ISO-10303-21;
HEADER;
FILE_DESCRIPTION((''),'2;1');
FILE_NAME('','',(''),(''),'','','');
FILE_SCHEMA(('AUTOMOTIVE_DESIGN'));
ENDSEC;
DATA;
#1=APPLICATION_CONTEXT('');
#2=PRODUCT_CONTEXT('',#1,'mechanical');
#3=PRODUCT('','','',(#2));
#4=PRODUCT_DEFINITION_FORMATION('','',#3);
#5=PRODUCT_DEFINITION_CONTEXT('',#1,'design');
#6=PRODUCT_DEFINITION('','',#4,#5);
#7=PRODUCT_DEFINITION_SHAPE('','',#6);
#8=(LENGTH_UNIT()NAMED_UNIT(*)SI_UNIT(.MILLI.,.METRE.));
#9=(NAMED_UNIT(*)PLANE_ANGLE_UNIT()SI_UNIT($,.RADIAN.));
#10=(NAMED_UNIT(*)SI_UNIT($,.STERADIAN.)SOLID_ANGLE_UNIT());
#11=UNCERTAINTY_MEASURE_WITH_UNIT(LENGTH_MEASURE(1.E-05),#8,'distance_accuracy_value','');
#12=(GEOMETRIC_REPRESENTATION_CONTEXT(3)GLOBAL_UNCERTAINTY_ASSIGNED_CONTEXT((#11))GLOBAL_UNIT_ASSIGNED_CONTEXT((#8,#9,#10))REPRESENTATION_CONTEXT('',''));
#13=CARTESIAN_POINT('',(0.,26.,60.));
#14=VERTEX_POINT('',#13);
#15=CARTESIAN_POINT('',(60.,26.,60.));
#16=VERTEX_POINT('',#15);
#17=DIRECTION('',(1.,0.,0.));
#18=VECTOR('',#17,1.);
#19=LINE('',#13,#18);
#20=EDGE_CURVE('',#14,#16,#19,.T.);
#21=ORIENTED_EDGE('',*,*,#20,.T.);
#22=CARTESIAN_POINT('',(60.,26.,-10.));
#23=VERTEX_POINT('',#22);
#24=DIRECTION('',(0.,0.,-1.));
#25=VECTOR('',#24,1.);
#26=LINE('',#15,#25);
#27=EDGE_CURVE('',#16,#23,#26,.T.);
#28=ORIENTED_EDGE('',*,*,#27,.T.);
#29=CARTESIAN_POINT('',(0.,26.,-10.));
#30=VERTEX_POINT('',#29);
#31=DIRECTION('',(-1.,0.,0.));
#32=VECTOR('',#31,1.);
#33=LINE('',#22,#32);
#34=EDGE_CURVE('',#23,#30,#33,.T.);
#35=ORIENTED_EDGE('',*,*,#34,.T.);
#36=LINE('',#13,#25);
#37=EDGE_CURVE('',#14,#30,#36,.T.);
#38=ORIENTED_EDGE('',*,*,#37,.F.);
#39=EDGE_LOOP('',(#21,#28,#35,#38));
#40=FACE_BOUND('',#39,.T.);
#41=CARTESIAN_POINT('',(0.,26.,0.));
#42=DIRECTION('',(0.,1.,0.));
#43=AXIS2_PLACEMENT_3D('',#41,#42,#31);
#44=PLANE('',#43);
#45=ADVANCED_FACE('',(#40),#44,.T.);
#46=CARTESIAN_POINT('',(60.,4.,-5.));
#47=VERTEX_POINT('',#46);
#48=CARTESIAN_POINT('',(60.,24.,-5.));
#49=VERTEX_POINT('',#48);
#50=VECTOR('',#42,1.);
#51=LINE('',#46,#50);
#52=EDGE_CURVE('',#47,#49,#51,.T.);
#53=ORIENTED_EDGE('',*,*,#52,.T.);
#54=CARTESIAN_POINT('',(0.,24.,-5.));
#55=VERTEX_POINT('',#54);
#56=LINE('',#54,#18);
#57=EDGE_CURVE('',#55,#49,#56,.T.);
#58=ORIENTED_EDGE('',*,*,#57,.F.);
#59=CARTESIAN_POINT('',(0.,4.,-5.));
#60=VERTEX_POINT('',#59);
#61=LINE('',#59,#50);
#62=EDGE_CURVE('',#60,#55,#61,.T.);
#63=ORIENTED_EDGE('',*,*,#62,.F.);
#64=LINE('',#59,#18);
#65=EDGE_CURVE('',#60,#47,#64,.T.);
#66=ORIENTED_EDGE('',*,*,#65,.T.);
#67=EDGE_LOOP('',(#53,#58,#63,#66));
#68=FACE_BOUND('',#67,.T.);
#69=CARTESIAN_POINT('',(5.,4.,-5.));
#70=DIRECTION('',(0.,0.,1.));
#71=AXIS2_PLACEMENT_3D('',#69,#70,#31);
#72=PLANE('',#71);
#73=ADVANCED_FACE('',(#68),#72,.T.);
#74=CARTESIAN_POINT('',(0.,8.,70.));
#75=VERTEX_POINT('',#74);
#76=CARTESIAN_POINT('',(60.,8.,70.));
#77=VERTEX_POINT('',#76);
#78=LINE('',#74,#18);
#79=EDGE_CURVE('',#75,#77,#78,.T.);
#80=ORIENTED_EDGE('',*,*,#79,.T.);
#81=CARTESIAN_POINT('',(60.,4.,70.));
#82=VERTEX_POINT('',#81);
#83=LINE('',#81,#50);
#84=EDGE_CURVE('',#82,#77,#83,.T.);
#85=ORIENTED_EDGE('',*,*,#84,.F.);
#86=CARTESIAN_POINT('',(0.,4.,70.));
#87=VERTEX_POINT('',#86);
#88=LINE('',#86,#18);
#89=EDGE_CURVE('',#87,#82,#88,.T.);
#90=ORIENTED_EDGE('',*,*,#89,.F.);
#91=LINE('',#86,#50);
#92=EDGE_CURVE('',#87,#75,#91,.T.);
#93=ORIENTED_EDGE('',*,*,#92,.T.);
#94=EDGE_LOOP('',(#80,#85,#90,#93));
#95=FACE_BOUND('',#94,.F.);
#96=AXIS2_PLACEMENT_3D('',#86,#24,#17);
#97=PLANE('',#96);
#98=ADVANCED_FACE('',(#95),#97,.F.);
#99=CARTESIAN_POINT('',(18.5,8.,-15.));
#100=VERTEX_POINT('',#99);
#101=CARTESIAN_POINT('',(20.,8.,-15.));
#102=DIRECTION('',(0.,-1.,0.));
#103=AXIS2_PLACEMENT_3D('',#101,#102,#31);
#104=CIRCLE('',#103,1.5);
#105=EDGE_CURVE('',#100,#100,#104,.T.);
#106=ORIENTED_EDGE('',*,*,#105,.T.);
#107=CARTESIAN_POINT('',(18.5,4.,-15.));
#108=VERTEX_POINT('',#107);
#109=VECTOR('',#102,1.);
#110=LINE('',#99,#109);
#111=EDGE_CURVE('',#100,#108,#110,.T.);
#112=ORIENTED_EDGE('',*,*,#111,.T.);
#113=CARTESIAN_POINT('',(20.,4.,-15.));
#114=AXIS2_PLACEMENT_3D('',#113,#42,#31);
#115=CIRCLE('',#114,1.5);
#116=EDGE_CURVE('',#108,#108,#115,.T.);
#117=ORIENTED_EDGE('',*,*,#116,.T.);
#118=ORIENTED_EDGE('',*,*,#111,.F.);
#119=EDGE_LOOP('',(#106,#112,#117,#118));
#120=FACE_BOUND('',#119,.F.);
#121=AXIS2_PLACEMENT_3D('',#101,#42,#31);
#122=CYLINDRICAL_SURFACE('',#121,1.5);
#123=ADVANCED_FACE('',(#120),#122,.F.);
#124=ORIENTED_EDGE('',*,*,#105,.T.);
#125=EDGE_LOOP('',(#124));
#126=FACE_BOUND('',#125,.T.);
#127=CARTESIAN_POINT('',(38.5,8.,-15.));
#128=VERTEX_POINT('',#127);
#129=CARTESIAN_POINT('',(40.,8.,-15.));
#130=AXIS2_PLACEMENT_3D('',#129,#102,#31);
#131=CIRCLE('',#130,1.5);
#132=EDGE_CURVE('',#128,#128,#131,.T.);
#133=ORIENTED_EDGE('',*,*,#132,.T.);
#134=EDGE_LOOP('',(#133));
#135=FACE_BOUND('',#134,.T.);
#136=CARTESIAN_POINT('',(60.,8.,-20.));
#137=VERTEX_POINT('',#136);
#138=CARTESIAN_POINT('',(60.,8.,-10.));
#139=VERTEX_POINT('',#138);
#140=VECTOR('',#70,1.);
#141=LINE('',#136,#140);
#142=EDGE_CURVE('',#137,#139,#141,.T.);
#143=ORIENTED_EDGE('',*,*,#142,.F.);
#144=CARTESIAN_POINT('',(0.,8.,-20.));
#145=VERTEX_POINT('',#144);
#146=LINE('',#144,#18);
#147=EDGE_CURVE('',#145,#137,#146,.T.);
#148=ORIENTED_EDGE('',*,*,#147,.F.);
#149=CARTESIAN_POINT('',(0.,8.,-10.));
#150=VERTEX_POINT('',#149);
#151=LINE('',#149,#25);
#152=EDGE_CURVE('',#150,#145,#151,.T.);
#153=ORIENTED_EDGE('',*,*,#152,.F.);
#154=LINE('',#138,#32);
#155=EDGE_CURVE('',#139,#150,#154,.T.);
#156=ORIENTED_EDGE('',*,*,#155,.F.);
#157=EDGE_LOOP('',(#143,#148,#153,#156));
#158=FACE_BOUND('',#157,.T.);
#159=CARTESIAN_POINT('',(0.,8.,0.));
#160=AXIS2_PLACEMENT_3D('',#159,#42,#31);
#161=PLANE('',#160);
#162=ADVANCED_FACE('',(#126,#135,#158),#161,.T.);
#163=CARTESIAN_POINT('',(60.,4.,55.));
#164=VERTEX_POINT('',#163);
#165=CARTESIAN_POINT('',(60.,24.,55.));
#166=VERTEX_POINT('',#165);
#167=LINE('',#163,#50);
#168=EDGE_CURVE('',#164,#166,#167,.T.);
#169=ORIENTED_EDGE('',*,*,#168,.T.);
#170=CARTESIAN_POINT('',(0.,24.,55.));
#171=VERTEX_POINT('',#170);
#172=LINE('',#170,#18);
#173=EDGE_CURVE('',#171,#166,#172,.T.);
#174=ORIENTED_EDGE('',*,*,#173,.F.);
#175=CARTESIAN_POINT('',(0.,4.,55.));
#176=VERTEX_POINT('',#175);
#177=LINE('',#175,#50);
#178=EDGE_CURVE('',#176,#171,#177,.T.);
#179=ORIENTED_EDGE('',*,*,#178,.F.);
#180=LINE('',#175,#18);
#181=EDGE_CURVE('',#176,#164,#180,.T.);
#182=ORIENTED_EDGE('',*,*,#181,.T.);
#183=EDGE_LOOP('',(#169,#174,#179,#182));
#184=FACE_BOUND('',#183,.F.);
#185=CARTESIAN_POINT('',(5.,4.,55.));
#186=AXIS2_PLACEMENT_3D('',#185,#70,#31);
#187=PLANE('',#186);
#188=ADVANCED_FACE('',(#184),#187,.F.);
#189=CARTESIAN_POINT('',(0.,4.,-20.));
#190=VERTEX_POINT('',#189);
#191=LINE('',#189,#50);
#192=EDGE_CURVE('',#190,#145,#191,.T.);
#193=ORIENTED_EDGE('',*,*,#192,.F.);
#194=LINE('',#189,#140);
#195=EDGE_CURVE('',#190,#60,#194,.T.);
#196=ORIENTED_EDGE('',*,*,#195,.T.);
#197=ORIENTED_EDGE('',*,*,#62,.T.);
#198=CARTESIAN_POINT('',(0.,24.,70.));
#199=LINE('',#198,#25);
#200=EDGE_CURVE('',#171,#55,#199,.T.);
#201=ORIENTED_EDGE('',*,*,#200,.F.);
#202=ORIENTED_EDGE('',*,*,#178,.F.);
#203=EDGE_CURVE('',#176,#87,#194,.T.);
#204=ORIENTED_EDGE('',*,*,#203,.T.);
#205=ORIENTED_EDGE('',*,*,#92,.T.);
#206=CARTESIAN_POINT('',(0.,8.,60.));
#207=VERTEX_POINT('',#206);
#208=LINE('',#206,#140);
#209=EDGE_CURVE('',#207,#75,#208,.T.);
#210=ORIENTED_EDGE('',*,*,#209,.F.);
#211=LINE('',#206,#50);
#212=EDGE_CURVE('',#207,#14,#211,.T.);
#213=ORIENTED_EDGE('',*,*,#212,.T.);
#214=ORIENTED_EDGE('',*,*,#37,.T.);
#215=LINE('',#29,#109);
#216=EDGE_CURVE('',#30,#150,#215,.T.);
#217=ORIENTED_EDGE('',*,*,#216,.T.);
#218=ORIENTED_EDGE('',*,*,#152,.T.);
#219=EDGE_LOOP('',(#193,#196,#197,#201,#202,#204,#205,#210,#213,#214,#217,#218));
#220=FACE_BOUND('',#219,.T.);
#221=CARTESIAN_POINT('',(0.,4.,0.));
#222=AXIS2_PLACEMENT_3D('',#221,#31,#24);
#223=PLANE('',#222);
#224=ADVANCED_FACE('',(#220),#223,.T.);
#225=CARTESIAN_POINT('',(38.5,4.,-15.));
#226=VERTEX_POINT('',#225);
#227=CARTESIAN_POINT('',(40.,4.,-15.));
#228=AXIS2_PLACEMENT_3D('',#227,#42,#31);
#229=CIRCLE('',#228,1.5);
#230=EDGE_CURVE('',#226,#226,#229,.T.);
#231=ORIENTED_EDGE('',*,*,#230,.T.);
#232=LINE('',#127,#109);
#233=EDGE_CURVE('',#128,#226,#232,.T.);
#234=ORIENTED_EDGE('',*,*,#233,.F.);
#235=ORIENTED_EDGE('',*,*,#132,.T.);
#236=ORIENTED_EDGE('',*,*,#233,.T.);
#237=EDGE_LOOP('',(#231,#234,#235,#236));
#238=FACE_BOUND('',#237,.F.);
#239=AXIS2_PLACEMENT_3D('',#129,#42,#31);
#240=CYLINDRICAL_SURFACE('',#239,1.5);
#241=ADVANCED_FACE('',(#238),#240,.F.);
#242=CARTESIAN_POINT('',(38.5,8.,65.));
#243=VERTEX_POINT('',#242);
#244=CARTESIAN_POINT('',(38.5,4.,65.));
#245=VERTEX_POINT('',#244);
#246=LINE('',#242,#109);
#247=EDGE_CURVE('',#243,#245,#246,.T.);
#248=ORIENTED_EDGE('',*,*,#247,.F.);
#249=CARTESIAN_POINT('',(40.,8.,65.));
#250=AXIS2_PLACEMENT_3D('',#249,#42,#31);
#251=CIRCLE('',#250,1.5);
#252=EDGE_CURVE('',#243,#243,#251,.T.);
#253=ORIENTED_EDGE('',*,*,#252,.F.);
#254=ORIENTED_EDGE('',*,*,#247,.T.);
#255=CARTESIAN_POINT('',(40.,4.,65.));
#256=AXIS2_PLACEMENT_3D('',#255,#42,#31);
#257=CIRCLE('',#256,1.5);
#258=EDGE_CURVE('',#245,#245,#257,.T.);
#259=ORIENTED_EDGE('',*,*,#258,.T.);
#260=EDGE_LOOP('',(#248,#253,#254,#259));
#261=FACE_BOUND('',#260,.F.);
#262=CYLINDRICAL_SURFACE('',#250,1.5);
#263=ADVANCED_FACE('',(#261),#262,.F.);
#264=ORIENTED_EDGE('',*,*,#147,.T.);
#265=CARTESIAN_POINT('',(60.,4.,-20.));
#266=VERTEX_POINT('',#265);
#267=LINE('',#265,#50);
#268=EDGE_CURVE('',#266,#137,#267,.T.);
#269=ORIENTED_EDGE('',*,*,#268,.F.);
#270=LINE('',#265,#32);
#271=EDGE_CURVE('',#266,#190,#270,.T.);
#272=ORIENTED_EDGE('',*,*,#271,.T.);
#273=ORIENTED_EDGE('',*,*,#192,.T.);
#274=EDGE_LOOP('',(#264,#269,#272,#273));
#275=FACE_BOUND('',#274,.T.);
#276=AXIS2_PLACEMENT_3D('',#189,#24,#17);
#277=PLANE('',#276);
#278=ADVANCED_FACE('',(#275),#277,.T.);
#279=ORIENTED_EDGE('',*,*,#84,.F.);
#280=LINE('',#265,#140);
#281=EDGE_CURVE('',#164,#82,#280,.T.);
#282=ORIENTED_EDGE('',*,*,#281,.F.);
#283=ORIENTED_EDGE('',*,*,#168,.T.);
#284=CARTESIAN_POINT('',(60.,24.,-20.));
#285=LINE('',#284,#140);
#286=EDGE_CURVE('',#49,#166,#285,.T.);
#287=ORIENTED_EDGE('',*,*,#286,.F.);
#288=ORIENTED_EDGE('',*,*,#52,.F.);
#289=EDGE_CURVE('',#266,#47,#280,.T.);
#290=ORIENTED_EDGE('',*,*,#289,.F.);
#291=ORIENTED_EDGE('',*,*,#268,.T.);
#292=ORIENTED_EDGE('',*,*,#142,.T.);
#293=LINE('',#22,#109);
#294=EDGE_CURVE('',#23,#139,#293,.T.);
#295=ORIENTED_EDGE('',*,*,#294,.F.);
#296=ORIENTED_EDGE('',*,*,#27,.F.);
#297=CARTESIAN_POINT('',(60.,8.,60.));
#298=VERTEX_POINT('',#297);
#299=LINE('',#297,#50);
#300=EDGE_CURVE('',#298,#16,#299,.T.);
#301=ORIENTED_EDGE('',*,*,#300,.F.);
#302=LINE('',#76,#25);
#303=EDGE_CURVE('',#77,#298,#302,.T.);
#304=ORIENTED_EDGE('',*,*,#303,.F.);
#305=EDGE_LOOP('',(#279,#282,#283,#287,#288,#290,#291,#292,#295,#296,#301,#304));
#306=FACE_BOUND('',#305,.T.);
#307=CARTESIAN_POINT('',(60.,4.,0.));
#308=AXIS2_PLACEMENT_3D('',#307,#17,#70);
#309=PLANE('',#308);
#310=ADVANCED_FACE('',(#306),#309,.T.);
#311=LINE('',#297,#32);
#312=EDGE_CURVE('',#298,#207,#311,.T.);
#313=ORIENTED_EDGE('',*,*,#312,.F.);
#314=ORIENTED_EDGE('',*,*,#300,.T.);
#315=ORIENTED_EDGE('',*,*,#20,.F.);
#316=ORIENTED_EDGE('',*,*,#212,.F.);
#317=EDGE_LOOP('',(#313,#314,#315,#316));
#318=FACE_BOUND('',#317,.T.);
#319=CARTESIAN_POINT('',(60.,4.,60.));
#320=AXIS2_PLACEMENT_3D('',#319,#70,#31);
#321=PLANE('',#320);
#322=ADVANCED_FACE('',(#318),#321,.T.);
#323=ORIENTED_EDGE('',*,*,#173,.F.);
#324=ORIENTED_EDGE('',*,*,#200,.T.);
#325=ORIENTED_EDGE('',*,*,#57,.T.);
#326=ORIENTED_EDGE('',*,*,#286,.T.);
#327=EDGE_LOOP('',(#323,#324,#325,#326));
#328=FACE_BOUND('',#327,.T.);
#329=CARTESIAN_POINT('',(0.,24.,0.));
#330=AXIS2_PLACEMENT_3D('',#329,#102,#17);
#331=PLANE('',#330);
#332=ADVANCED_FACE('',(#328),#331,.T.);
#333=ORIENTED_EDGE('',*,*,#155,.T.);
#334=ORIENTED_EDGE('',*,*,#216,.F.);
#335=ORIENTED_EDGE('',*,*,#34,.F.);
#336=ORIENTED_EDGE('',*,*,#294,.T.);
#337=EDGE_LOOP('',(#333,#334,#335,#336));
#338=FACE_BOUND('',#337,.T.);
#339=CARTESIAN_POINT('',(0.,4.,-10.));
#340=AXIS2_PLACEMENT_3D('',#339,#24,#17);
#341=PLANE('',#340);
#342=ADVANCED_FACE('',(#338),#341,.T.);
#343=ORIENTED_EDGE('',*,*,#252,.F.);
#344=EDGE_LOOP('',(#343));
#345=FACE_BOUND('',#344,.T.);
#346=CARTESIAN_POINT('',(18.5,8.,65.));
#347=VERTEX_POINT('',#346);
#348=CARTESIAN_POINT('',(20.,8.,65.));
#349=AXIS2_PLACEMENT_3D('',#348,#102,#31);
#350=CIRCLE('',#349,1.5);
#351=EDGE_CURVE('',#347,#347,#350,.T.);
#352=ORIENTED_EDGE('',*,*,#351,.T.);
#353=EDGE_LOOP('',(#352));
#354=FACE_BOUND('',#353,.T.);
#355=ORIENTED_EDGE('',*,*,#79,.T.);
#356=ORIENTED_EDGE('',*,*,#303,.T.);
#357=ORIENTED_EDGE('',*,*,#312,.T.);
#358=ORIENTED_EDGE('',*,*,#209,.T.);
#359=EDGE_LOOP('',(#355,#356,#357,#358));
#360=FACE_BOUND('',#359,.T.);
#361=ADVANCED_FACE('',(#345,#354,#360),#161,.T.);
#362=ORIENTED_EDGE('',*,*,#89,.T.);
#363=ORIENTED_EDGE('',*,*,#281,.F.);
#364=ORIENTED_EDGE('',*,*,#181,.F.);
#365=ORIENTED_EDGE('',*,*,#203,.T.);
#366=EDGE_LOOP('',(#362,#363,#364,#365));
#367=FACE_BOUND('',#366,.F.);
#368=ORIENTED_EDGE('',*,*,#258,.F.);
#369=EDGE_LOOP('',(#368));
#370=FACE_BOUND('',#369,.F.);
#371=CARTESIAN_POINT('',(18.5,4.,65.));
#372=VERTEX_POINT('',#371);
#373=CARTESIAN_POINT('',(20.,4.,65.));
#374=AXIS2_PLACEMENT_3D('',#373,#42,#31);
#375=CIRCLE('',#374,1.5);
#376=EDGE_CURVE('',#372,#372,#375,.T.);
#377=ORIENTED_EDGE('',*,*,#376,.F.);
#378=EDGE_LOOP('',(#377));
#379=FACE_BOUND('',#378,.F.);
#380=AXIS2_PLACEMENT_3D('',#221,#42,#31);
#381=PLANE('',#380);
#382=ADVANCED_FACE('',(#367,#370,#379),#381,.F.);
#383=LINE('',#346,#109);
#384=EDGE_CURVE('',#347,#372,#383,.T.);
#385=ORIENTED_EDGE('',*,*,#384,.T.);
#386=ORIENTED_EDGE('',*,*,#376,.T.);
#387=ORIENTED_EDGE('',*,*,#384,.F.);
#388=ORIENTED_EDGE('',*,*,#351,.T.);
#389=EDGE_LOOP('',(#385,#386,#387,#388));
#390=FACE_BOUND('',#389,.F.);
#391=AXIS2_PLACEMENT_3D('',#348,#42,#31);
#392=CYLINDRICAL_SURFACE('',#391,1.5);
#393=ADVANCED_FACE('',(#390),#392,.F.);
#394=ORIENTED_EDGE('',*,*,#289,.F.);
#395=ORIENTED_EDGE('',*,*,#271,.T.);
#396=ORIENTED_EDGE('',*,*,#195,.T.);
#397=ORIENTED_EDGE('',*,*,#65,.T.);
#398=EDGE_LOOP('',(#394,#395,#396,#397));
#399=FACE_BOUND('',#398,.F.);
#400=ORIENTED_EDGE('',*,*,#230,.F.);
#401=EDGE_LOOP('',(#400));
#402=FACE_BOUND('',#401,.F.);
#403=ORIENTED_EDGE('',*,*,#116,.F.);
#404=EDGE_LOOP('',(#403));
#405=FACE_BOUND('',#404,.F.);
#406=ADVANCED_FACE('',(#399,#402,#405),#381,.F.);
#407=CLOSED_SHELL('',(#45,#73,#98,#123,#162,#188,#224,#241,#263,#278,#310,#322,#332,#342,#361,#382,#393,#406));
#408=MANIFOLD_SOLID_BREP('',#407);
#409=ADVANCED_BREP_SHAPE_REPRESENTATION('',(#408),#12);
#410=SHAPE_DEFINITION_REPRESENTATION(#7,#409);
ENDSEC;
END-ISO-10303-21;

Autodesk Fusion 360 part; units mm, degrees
sketch "Boceto2" plane through (0, 4, 0) normal (0, 1, 0) x (-1, 0, 0)
  line L0 (9, 0) -> (-1, 0)
  line L1 (-30, 0) -> (-60, 0)
  line L2 (-30, 0) -> (0, 0)
  line L3 (-30, 25) -> (-30, -10)
  line L4 (-30, -10) -> (-60, -10)
  line L5 (-60, -10) -> (-60, 60)
  line L6 (-60, 60) -> (0, 60)
  line L7 (0, 60) -> (0, -10)
  line L8 (0, -10) -> (-30, -10)
  line L9 (0, -10) -> (-5, -10)
  line L10 (-5, -10) -> (-5, -5)
  line L11 (-5, -5) -> (-55, -5)
  line L12 (-55, -5) -> (-55, 55)
  line L13 (-55, 55) -> (-5, 55)
  line L14 (-5, 55) -> (-5, -5)
  dimension "d1" = 10
  dimension "d2" = 30
  dimension "d3" = 30
  dimension "d4" = 35
  dimension "d5" = 70
  dimension "d6" = 5
  dimension "d7" = 5
  dimension "d8" = 50
  dimension "d9" = 60
extrude "Extruir1" add sketch "Boceto2" along normal blind 20 contours L0 L2 L7 L8 L9 L10 L14 | L0 L1 L2 L5 L6 L7 L12 L13 L14 | L3 L8 L10 L11 | L1 L3 L4 L5 L11 L12
sketch "Boceto3" plane through (0, 4, 0) normal (0, 1, 0) x (-1, 0, 0)
  line L0 (0, -10) -> (-5, -10)
  line L1 (-5, -10) -> (-10, -20)
  line L2 (0, -10) -> (0, -20)
  line L3 (0, -20) -> (-60, -20)
  line L4 (-60, -20) -> (-60, -10)
  line L5 (-60, -10) -> (-64.5056, 6.5239)
  line L6 (0, 60) -> (0, 70)
  line L7 (0, 70) -> (-60, 70)
  line L8 (-60, 70) -> (-60, 60)
  line L9 (-60, 60) -> (0, 60)
  line L10 (-5, -10) -> (-60, -10)
  dimension "d12" = 10
  dimension "d13" = 10
extrude "Extruir2" add sketch "Boceto3" along normal blind 4
sketch "Boceto4" plane through (0, 8, 0) normal (0, 1, 0) x (-1, 0, 0)
  line L0 (0, -10) -> (-60, -10)
  line L1 (-60, -10) -> (-60, -20)
  line L2 (-60, -20) -> (0, -20)
  line L3 (0, -20) -> (0, -10)
  line L4 (0, -15) -> (-20, -15)
  line L5 (-26, -15) -> (-35, -15)
  line L6 (-20, -15) -> (-40, -15)
  line L7 (-40, -15) -> (-80, 70)
  line L8 (0, 70) -> (0, 65)
  line L9 (0, 65) -> (-20, 65)
  line L10 (-20, 65) -> (-40, 65)
  circle A0 centre (-40, 65) radius 1.5
  circle A1 centre (-20, 65) radius 1.5
  circle A2 centre (-20, -15) radius 1.5
  circle A3 centre (-40, -15) radius 1.5
  dimension "d16" = 20
  dimension "d17" = 3
  dimension "d18" = 3
  dimension "d19" = 3
  dimension "d20" = 3
extrude "Extruir3" cut sketch "Boceto4" against normal blind 30 contours L6 L7 A3 | L6 L7 A3 | L4 L6 A2 | L4 L6 A2 | L9 L10 A1 | L9 L10 A1 | A0
sketch "Boceto5" plane through (0, 24, 0) normal (0, 1, 0) x (-1, 0, 0)
  line L0 (-55, 55) -> (-5, 55)
  line L1 (-5, 55) -> (-5, -5)
  line L2 (-5, -5) -> (-55, -5)
  line L3 (-55, -5) -> (-55, 55)
  line L4 (0, -10) -> (0, 60)
  line L5 (0, 60) -> (-60, 60)
  line L6 (-60, 60) -> (-60, -10)
  line L7 (-60, -10) -> (0, -10)
  line L8 (0, -10) -> (-60, -10)
  line L9 (-60, 60) -> (-60, -10)
  line L10 (-60, 60) -> (0, 60)
  line L11 (0, -8.1337) -> (20, 20)
  line L12 (0, -10) -> (0, 60)
extrude "Extruir4" add sketch "Boceto5" along normal blind 2 contours L0 L1 L2 L3 | L4 L5 L6 L7 L8 L9 L10 L12
sketch "Boceto6" plane through (60, 0, 0) normal (1, 0, 0) x (0, 0, -1)
  line L0 (-70, 4) -> (20, 4)
  line L1 (20, 4) -> (20, 8)
  line L2 (20, 8) -> (10, 8)
  line L3 (10, 8) -> (10, 26)
  line L4 (10, 26) -> (-60, 26)
  line L5 (-60, 26) -> (-60, 8)
  line L6 (-60, 8) -> (-70, 8)
  line L7 (-70, 8) -> (-70, 4)
sketch "Boceto7" plane through (0, 4, 0) normal (0, -1, 0) x (1, 0, 0)
  circle A0 centre (40, -15) radius 1.5
  circle A1 centre (20, 65) radius 1.5
  circle A2 centre (20, -15) radius 1.5
  circle A3 centre (40, 65) radius 1.5
  line L0 (5, 55) -> (55, 55)
  line L1 (55, 55) -> (55, -5)
  line L2 (55, -5) -> (5, -5)
  line L3 (5, -5) -> (5, 55)
  line L4 (0, 70) -> (0, -20)
  line L5 (0, -20) -> (60, -20)
  line L6 (60, -20) -> (60, 70)
  line L7 (60, 70) -> (0, 70)
  line L8 (5, 55) -> (0, 55)
  line L9 (5, -5) -> (0, -5)
  line L10 (0, 55) -> (0, -5)
  line L11 (5, 55) -> (5, -5)
  line L12 (55, 55) -> (60, 55)
  line L13 (60, 55) -> (60, -5)
  line L14 (55, -5) -> (60, -5)
  line L15 (55, -5) -> (55, 55)
extrude "Extruir5" cut sketch "Boceto7" against normal blind 20 contours L3 L4 L8 L9 L10 L11 | L1 L6 L12 L13 L14 L15
